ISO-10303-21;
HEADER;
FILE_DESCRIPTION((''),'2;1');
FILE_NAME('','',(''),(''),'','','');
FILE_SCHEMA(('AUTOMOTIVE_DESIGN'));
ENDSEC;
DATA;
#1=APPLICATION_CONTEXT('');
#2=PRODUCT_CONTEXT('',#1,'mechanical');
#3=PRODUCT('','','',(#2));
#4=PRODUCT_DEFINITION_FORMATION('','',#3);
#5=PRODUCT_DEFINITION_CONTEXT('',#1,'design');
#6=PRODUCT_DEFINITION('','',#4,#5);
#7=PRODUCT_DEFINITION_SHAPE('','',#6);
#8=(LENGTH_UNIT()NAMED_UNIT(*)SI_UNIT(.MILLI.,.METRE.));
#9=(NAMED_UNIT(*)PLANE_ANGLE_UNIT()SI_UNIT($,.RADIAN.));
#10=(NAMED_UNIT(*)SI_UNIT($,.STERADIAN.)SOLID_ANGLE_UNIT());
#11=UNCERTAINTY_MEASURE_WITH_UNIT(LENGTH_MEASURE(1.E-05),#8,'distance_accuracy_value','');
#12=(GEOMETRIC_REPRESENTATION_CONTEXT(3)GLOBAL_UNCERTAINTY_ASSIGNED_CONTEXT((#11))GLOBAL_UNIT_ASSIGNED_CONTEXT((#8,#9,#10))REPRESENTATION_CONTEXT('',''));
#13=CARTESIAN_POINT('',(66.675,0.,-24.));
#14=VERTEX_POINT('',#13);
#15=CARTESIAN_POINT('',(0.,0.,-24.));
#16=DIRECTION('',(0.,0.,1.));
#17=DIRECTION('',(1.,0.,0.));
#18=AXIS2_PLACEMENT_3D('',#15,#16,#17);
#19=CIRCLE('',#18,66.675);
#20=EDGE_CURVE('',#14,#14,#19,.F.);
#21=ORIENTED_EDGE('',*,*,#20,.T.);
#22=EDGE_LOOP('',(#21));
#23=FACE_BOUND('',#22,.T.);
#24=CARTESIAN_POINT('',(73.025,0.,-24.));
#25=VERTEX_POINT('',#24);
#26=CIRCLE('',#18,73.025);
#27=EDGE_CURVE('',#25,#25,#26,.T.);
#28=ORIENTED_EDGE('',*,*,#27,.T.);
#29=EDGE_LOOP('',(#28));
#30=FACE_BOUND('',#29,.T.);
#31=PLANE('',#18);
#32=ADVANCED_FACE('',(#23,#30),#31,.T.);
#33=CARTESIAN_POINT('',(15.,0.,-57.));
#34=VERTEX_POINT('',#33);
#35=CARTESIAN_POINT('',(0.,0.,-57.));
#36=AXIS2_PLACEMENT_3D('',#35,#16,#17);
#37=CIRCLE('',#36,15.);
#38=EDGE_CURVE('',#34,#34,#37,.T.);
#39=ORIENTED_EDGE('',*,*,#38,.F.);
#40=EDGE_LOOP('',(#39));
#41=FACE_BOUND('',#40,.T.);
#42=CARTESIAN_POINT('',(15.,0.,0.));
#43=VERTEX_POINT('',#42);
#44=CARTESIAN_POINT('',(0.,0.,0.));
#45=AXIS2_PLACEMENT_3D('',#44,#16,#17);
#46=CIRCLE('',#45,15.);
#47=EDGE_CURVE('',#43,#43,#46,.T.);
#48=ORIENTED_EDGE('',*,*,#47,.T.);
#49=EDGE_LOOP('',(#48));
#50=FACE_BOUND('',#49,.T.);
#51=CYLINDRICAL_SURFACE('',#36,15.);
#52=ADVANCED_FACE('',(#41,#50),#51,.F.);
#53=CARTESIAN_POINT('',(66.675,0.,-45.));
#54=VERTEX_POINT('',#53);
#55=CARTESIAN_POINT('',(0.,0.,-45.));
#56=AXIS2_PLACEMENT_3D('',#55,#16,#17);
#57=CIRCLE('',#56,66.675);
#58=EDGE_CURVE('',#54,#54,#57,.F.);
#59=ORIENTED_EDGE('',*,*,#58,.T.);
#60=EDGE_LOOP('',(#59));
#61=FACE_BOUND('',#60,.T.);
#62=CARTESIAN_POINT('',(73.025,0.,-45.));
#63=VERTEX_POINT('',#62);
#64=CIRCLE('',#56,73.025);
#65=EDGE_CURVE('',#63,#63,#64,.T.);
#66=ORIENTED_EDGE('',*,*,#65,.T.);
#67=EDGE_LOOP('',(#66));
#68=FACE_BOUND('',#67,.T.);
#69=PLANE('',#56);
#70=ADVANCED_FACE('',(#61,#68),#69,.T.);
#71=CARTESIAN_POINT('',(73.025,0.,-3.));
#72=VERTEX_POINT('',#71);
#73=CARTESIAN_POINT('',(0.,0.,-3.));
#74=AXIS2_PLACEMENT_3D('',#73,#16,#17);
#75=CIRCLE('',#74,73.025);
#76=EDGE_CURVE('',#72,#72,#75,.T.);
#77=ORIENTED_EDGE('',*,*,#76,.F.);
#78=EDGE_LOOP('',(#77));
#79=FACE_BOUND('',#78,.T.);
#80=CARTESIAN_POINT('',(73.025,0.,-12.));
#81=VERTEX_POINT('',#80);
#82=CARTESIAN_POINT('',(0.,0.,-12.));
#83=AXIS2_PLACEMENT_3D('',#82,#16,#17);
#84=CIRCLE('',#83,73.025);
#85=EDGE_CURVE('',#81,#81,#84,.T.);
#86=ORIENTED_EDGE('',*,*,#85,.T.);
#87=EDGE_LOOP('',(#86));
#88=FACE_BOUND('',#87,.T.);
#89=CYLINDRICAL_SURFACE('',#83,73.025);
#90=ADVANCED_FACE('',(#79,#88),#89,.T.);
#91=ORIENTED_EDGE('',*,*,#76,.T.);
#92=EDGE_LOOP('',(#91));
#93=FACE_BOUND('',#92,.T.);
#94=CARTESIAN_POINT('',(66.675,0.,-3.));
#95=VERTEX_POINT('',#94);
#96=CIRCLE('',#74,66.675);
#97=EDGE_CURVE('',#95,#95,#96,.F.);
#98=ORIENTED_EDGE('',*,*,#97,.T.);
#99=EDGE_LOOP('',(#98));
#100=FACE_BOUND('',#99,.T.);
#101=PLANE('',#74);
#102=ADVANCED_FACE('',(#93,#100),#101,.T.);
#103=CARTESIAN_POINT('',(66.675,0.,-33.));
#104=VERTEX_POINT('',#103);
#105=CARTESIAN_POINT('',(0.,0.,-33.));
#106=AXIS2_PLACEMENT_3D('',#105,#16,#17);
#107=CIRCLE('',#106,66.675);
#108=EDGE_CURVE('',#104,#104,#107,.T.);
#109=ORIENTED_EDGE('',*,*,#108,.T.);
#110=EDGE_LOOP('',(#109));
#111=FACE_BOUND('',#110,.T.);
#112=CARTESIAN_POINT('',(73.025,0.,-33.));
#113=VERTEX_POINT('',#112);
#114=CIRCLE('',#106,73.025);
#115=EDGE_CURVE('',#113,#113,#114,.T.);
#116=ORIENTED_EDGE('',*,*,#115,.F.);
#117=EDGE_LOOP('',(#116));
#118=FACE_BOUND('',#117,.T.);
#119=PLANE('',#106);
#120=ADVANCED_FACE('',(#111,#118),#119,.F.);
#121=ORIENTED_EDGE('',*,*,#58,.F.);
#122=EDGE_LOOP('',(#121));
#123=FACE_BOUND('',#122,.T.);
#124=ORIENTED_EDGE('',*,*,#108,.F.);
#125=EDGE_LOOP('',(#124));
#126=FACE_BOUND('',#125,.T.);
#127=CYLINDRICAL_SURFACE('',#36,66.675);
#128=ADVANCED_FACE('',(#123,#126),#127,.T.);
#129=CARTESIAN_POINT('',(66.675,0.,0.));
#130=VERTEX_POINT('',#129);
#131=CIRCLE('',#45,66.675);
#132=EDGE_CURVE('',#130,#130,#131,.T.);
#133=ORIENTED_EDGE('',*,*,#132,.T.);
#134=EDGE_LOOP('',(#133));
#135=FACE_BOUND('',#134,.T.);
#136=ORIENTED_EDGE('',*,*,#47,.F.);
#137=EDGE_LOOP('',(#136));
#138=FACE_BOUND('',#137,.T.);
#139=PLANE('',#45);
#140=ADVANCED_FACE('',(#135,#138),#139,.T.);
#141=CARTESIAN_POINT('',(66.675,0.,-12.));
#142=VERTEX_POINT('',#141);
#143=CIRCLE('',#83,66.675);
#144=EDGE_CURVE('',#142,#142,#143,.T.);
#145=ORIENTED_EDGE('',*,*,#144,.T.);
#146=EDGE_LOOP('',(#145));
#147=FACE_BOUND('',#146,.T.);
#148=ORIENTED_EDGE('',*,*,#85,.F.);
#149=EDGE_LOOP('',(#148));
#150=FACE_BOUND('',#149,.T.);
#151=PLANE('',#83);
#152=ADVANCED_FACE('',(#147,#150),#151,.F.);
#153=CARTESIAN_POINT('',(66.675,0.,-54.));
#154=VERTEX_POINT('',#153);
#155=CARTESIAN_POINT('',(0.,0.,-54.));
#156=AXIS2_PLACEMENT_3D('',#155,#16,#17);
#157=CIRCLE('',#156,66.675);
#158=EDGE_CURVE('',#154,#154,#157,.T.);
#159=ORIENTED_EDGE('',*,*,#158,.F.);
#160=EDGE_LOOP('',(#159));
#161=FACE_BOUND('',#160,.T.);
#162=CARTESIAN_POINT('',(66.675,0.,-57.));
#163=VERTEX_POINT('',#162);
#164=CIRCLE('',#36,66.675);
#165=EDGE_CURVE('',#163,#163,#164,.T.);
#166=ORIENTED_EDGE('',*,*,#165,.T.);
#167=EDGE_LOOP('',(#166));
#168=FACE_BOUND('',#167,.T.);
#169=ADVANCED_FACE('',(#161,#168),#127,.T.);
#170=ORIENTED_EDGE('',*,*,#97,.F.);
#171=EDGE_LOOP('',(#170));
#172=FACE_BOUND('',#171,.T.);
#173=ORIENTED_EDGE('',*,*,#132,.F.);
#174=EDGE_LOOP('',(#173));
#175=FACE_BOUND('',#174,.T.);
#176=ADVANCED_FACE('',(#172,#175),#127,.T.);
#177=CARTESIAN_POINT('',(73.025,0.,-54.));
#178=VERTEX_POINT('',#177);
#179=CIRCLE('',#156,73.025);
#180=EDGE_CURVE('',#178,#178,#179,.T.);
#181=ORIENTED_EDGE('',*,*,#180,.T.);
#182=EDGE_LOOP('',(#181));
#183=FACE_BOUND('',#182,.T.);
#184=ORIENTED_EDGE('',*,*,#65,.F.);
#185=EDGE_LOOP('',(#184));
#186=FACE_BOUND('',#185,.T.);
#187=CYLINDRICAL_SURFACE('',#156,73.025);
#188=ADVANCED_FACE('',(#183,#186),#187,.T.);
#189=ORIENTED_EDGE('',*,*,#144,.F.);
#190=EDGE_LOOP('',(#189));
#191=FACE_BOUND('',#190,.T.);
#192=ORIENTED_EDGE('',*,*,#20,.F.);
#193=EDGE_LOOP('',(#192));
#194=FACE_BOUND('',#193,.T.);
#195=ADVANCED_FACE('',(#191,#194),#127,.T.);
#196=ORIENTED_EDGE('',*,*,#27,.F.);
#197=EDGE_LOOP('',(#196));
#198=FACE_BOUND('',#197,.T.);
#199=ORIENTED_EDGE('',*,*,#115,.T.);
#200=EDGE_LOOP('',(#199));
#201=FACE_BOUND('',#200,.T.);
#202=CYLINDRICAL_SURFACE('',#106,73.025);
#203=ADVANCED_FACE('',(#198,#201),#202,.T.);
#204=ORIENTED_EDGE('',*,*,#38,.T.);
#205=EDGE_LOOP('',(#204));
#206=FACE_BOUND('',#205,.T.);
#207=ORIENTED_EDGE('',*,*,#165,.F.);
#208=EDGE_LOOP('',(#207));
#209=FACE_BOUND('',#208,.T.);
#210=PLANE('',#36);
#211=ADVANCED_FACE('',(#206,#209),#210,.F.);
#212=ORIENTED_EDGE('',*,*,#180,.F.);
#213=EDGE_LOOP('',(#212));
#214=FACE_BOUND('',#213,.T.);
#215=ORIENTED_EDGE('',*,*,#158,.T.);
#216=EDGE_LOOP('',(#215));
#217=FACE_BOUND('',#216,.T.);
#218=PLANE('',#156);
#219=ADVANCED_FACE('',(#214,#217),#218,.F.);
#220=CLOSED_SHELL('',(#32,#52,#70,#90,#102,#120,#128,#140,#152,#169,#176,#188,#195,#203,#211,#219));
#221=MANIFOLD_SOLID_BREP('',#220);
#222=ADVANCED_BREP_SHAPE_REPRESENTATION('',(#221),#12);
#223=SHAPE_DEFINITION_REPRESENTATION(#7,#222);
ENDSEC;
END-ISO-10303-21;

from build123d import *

# Parameters (mm, degrees)
SKETCH1_R           = 66.675
SKETCH1_R_2         = 15
BOSS_EXTRUDE1_DEPTH = 57
SKETCH2_R           = 73.025
SKETCH2_R_2         = 66.675
BOSS_EXTRUDE2_DEPTH = 9
LPATTERN1_COUNT     = 3
LPATTERN1_PITCH     = 21


with BuildPart() as part:
    # Sketch1 → Boss-Extrude1 (new body)
    with BuildSketch(Plane.XY):
        Circle(SKETCH1_R)
        Circle(SKETCH1_R_2, mode=Mode.SUBTRACT)
    extrude(amount=-BOSS_EXTRUDE1_DEPTH)

    # Sketch2 → Boss-Extrude2 (add)
    with BuildSketch(Plane.XY.offset(-3)):
        Circle(SKETCH2_R)
        Circle(SKETCH2_R_2, mode=Mode.SUBTRACT)
    boss_extrude2 = extrude(amount=-BOSS_EXTRUDE2_DEPTH)

    # LPattern1: Boss-Extrude2 ×3
    with Locations(*[(0, 0, -i * LPATTERN1_PITCH) for i in range(1, LPATTERN1_COUNT)]):
        add(boss_extrude2)


solid = part.part
